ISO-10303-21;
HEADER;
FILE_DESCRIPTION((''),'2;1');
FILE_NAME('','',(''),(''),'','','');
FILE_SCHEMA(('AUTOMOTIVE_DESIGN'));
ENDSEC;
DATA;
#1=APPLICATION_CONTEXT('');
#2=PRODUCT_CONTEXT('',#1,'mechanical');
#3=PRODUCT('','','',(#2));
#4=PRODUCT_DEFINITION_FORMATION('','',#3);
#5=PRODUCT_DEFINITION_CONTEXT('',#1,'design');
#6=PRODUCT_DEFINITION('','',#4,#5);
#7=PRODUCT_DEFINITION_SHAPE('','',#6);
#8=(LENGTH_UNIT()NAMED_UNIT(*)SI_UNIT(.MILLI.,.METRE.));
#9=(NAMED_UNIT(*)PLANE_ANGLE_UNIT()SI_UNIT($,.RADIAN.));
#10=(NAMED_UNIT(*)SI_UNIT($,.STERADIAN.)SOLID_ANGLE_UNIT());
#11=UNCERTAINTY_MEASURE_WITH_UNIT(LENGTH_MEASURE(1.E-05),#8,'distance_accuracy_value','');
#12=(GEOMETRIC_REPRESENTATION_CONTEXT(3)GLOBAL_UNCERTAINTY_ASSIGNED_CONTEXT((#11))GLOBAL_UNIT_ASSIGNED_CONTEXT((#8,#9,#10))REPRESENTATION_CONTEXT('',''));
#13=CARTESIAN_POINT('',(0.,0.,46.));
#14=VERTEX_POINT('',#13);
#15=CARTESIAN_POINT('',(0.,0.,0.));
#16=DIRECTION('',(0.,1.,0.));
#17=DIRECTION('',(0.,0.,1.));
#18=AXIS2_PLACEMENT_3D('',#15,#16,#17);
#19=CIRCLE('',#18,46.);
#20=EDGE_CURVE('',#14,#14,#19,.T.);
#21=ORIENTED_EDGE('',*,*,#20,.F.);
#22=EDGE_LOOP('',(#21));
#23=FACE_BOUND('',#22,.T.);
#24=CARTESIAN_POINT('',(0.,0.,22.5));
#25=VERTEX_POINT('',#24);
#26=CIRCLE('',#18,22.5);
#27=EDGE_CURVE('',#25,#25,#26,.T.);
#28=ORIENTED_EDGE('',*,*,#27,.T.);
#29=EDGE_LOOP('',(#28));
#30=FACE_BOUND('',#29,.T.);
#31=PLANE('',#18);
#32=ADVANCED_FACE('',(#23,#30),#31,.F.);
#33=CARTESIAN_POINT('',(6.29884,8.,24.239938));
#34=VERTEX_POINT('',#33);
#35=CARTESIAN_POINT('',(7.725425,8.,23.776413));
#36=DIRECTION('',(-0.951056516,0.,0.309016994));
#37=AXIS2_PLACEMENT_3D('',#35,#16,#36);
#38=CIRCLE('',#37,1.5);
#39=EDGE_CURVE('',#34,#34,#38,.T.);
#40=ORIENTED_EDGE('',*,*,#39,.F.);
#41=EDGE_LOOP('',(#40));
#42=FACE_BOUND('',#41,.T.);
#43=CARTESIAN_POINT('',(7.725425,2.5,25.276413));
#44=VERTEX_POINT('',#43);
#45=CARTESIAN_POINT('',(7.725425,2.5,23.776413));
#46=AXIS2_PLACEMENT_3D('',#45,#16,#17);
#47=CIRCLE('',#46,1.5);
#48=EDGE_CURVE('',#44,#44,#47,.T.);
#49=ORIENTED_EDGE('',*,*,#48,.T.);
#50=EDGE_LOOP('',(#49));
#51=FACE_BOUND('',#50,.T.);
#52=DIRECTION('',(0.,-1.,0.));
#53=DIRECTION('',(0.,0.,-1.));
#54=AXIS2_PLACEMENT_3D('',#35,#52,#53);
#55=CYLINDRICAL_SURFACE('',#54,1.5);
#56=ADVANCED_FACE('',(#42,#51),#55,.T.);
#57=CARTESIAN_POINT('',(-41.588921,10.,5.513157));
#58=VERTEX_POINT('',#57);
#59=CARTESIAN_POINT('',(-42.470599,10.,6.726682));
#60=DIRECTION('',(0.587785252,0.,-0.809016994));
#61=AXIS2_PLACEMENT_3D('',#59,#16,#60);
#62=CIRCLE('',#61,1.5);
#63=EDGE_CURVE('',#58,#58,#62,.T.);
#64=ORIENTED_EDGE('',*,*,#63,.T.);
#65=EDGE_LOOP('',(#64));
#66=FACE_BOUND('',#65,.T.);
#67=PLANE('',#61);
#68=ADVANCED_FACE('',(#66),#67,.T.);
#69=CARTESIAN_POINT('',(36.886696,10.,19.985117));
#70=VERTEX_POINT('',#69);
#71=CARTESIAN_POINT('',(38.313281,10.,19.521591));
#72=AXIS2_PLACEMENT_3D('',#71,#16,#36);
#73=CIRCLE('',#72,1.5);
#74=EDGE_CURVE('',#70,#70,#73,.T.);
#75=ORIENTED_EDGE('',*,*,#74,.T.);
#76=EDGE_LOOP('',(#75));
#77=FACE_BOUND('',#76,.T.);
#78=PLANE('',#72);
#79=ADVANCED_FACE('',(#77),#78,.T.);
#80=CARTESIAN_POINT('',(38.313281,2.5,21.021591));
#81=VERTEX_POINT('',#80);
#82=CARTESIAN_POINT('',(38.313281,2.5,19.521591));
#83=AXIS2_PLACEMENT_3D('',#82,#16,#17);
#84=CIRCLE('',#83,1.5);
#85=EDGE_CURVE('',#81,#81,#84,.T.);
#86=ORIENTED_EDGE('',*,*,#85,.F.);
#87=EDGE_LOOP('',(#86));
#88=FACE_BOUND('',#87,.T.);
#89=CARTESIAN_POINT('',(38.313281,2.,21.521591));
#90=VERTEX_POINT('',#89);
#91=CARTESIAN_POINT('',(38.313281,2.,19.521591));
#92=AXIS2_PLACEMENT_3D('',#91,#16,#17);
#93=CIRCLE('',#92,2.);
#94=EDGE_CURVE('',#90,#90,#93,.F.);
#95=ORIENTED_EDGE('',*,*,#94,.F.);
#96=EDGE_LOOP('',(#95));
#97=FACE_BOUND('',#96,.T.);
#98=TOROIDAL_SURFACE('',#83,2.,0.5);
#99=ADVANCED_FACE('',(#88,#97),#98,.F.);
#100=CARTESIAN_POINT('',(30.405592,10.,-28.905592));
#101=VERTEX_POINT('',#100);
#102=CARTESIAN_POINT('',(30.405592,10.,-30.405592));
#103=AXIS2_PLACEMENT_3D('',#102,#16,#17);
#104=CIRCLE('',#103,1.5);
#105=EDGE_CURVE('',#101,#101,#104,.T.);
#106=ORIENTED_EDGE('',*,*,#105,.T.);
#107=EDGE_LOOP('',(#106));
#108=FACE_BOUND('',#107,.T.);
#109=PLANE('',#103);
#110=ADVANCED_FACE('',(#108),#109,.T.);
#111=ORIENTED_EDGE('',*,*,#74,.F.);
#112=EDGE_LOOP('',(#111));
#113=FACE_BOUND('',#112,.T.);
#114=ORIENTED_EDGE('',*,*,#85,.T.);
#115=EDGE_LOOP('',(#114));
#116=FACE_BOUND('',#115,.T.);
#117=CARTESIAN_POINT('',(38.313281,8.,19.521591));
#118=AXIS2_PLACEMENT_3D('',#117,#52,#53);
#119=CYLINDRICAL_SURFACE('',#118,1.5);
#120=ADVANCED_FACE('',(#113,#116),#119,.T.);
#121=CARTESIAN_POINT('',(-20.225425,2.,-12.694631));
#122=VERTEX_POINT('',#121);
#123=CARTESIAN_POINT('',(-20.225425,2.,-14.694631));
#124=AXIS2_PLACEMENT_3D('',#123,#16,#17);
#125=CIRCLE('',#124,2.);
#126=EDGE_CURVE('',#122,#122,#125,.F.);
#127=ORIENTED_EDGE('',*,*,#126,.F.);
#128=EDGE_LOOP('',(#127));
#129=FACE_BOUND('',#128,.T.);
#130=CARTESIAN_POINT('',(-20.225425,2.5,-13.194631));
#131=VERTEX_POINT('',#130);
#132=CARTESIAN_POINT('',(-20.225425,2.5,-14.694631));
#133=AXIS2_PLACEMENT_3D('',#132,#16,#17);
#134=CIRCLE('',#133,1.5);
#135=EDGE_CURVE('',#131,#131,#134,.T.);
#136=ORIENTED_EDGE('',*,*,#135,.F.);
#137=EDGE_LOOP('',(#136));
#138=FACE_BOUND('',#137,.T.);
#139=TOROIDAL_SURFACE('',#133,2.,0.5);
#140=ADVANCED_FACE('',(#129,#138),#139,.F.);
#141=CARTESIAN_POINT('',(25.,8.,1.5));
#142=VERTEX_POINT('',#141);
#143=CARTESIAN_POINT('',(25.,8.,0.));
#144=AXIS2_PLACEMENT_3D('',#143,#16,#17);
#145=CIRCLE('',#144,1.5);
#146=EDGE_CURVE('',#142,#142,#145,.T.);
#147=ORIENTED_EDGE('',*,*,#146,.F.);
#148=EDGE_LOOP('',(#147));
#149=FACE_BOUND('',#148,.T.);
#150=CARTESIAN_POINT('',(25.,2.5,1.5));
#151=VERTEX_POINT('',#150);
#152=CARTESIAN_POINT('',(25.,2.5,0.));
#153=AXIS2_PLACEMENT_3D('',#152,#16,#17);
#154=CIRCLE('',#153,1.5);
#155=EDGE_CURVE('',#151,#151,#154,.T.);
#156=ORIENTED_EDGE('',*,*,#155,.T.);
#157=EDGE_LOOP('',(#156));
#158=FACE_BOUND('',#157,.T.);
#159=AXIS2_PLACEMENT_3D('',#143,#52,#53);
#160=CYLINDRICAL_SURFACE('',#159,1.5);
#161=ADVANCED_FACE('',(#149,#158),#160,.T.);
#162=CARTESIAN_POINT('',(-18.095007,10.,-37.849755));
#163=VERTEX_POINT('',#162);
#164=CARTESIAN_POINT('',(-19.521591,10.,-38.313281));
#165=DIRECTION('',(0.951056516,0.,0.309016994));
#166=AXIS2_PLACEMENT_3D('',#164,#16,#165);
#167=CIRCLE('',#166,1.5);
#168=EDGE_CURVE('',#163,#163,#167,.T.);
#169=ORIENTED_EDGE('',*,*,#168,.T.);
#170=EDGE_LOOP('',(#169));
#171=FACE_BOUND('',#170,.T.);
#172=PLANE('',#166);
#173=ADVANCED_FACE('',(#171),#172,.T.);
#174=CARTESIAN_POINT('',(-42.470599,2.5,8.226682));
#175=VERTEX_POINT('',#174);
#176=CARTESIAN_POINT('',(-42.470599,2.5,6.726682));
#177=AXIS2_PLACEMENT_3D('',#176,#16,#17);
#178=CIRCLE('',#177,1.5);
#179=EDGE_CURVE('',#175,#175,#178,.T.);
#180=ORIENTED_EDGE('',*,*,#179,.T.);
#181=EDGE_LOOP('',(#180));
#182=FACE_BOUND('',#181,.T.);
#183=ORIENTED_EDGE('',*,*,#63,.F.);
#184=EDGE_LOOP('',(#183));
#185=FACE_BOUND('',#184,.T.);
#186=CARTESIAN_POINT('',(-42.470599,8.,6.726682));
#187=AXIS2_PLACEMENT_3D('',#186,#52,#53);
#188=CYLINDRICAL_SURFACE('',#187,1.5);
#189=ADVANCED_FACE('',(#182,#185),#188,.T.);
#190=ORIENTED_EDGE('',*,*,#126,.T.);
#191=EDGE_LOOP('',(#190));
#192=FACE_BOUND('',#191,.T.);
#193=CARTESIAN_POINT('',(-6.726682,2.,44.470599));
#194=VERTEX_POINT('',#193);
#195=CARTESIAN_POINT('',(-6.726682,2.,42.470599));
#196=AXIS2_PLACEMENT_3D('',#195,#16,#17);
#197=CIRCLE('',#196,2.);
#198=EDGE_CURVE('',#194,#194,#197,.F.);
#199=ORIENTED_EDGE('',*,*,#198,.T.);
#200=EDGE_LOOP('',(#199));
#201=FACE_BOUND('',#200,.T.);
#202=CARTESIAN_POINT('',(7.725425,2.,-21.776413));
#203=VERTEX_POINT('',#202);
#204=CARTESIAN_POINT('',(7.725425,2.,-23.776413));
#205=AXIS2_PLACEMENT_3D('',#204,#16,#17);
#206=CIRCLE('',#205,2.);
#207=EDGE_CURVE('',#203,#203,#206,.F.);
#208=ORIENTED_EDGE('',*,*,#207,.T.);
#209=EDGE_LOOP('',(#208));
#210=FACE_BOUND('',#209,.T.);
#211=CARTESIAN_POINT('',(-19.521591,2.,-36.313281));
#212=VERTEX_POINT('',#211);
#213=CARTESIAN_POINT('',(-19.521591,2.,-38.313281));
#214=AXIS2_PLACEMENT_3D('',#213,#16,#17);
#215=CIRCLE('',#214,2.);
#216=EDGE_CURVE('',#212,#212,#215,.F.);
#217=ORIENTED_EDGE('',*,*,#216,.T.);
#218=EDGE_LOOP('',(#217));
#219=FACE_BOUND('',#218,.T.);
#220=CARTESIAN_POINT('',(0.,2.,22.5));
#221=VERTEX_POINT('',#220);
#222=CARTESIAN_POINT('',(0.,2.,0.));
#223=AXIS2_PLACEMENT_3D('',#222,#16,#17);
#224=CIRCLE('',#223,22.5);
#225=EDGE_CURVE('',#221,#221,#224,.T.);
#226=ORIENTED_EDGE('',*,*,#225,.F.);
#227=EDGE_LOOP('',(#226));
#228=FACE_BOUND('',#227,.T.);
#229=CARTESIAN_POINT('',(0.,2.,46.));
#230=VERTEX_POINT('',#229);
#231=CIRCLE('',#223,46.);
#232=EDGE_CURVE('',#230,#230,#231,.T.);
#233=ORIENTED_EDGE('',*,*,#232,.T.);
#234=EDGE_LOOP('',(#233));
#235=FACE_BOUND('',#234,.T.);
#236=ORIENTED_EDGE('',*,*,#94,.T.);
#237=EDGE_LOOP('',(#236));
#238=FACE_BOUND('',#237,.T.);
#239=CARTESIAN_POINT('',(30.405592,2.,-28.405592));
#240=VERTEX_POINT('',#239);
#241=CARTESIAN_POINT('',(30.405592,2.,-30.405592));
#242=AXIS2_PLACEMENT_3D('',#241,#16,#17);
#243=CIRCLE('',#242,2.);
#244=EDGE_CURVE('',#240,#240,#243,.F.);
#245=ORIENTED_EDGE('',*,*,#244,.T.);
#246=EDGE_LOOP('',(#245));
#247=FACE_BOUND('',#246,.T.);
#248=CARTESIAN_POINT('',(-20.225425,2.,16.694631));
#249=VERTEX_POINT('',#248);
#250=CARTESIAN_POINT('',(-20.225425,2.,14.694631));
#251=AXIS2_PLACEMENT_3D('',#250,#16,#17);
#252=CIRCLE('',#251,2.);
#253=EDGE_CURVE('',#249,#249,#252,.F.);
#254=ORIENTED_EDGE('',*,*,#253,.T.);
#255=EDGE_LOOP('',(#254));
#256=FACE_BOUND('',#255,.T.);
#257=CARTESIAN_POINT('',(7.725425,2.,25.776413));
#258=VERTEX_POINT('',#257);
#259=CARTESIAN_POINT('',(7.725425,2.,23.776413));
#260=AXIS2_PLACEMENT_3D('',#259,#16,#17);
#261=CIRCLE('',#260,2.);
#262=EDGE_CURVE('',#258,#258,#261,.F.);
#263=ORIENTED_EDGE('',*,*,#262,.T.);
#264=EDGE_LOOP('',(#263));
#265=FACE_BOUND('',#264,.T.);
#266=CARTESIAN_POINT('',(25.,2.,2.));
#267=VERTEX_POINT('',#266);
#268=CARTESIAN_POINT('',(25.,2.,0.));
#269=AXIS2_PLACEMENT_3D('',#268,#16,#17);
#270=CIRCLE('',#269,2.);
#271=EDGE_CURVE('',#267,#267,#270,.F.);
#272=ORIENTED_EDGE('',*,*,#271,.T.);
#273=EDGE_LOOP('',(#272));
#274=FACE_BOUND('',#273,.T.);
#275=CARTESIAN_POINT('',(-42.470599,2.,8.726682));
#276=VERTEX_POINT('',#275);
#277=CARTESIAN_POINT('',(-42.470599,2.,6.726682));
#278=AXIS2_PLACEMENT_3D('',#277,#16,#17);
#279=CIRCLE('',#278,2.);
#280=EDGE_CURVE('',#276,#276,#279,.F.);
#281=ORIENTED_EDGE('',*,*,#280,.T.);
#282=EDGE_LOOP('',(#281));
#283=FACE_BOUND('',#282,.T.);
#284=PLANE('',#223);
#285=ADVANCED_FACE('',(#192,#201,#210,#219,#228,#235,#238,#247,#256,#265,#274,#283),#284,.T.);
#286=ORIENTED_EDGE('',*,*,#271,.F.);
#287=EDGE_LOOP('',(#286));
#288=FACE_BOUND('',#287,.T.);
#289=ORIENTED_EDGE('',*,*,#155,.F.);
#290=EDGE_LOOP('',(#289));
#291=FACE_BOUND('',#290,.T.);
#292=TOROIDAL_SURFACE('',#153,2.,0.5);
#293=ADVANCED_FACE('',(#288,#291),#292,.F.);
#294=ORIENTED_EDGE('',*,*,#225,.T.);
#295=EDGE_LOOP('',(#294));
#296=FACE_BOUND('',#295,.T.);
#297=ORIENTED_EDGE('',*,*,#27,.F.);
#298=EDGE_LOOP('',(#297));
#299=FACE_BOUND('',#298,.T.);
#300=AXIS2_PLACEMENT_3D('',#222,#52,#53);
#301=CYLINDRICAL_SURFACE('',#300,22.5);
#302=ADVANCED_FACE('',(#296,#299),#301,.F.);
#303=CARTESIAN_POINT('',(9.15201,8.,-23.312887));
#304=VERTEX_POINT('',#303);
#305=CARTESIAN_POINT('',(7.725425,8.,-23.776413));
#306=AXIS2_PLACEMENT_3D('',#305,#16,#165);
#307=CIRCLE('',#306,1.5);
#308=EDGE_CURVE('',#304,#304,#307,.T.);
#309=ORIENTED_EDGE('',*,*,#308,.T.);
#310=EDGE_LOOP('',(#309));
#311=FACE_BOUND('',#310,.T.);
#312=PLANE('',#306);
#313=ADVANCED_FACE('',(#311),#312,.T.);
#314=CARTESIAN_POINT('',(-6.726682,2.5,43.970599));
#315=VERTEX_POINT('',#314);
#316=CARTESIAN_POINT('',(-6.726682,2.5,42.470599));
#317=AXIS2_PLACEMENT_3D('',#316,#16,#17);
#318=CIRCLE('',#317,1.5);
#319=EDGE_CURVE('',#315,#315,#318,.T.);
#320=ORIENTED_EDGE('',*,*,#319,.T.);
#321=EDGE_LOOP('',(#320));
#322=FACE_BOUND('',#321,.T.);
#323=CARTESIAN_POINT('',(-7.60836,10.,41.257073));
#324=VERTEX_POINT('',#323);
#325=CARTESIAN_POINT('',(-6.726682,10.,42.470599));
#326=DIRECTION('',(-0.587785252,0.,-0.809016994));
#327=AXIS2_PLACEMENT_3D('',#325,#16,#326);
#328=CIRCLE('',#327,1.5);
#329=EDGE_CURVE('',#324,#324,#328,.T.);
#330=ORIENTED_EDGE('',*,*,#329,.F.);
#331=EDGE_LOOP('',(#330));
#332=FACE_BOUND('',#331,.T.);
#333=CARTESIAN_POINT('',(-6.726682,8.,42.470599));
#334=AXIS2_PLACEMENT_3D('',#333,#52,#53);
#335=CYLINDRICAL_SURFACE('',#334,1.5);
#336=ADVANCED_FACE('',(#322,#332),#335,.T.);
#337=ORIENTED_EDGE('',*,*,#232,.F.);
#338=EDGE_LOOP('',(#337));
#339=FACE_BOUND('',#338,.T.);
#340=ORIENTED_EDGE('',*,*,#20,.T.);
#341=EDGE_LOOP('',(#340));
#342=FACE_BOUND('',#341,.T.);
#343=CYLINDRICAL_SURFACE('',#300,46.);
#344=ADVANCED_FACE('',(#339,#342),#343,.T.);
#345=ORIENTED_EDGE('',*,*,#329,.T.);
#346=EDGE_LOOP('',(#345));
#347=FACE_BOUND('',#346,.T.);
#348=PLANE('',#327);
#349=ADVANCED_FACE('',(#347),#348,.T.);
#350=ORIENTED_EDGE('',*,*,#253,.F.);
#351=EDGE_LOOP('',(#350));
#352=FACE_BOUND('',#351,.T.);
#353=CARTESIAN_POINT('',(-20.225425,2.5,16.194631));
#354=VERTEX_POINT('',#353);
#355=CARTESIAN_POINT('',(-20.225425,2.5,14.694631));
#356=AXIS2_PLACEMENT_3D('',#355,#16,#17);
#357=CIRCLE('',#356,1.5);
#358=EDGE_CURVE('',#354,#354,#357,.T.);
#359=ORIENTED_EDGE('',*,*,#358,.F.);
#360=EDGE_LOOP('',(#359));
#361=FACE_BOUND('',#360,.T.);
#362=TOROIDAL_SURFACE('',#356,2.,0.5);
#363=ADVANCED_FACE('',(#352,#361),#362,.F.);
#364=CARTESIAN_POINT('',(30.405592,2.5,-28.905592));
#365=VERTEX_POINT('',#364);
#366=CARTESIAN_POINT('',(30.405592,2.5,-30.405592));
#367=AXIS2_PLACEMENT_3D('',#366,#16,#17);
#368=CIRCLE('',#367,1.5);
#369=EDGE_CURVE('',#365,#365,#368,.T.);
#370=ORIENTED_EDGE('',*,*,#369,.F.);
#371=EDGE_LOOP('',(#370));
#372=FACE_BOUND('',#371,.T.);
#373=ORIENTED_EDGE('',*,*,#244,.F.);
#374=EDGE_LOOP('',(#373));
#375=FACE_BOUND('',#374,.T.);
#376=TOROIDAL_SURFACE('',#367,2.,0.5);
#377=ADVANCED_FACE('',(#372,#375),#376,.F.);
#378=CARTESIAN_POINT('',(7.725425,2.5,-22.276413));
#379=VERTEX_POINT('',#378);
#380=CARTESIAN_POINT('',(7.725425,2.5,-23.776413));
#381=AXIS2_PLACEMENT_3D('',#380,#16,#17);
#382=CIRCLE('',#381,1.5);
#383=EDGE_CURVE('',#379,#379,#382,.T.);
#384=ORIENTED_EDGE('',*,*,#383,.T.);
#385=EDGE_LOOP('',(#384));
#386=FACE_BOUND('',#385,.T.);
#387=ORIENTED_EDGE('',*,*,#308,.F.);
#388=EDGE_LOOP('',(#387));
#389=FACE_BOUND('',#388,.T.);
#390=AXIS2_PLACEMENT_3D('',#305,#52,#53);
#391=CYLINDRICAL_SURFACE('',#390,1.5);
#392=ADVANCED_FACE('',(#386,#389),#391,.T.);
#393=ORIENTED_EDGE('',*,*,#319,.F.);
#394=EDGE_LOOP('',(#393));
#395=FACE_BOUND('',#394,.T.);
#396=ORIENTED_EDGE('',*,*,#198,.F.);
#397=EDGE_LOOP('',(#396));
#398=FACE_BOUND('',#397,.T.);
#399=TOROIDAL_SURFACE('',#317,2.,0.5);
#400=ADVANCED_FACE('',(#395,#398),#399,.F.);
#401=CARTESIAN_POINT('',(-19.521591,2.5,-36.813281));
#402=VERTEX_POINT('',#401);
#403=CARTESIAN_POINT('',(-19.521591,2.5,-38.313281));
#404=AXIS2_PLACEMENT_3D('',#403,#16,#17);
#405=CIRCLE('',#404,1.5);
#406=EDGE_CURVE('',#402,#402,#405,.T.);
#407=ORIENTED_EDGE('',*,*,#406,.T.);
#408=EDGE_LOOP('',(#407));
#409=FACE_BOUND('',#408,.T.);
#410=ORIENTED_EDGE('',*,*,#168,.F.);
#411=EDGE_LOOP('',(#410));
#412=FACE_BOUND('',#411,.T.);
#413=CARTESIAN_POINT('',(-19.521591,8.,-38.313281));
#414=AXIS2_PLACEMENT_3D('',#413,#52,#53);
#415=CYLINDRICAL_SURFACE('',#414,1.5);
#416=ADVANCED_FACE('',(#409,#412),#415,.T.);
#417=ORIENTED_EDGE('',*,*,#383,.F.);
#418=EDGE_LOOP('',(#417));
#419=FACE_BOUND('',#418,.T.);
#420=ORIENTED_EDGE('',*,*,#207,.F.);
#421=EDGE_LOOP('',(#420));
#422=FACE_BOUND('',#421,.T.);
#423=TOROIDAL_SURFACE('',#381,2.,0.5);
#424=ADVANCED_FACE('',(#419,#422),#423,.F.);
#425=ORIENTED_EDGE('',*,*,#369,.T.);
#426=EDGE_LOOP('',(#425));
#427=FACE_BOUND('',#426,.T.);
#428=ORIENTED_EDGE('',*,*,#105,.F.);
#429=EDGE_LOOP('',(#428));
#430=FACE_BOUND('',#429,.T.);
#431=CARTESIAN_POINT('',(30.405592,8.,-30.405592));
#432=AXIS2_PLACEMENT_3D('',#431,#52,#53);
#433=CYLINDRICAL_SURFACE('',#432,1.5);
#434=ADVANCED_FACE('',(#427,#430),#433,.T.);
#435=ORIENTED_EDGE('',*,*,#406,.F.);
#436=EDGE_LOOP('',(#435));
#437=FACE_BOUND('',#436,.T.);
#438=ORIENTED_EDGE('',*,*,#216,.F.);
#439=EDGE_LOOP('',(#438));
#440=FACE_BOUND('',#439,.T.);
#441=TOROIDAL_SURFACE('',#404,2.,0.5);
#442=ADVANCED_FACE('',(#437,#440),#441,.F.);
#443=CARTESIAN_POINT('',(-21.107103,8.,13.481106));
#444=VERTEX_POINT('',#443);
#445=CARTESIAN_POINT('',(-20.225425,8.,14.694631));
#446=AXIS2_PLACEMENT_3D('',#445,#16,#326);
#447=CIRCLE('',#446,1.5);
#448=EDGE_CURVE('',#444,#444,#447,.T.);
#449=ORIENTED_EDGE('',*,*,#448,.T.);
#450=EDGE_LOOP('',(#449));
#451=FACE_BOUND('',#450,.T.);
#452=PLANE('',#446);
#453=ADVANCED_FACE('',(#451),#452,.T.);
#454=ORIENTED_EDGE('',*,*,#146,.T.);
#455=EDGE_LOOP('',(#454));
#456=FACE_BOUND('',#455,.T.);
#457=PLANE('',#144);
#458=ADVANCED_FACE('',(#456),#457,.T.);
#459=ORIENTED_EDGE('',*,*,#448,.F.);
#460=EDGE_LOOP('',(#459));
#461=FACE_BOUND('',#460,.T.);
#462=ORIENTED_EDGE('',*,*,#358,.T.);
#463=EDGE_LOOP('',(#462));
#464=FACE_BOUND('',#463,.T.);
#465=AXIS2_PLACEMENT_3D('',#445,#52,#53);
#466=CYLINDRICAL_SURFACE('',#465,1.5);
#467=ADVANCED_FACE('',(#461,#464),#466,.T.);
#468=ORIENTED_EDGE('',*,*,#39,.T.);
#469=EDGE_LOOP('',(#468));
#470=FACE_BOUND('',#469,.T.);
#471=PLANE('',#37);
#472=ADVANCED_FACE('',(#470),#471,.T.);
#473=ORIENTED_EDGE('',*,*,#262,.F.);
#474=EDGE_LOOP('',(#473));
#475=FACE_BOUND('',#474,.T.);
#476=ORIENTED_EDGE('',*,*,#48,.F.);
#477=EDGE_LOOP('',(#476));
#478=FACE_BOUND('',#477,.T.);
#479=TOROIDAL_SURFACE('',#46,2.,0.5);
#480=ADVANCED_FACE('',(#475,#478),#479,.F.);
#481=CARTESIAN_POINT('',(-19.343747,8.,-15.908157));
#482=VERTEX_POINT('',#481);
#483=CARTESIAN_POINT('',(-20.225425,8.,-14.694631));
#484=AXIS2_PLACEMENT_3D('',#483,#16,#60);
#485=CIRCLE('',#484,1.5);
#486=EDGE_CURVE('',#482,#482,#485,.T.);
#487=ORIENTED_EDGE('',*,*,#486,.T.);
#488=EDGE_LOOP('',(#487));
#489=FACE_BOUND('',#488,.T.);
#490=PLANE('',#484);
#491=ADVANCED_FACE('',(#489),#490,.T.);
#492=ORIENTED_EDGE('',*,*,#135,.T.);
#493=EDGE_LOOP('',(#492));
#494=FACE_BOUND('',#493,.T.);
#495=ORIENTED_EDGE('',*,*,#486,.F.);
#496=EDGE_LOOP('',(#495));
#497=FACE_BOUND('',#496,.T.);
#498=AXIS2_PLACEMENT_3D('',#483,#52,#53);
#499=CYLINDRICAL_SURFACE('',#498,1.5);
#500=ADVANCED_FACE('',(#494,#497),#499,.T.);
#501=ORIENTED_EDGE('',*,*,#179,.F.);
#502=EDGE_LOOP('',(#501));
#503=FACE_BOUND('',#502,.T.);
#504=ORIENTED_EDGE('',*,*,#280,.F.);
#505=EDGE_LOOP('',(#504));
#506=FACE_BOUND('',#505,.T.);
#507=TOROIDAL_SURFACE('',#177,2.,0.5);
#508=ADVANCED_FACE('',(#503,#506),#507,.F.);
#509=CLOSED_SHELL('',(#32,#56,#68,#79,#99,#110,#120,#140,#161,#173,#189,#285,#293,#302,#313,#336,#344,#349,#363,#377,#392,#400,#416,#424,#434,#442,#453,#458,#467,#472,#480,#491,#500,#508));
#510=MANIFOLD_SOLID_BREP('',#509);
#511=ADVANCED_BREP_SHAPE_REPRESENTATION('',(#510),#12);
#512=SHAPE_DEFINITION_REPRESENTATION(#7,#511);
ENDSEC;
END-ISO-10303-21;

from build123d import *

# Parameters (mm, degrees)
SKETCH1_R                = 46
SKETCH1_R_2              = 22.5
BOSS_EXTRUDE1_DEPTH      = 2
SKETCH2_R                = 1.5
BOSS_EXTRUDE2_DEPTH      = 6
FILLET1_R                = 0.5
SKETCH3_R                = 1.5
BOSS_EXTRUDE3_DEPTH      = 2
CIRPATTERN1_COUNT        = 5
FILLET1_OF_CIRPATTERN1_R = 0.5


with BuildPart() as part:
    # Sketch1 → Boss-Extrude1 (new body)
    with BuildSketch(Plane(origin=(0, 0, 0), x_dir=(1, 0, 0), z_dir=(0, 1, 0))):
        with Locations(Location((0, 0, 0), (0, 0, 270))):
            Circle(SKETCH1_R)
        with Locations(Location((0, 0, 0), (0, 0, 270))):
            Circle(SKETCH1_R_2, mode=Mode.SUBTRACT)
    extrude(amount=BOSS_EXTRUDE1_DEPTH)

    # Sketch2 → Boss-Extrude2 (add)
    with BuildSketch(Plane(origin=(0, 2, 0), x_dir=(1, 0, 0), z_dir=(0, 1, 0))):
        with Locations(Location((25, 0, 0), (0, 0, 270))):
            Circle(SKETCH2_R)
        with Locations(Location((30.405591591, 30.405591591, 0), (0, 0, 270))):
            Circle(SKETCH2_R)
    boss_extrude2 = extrude(amount=BOSS_EXTRUDE2_DEPTH)

    # Fillet1
    fillet1_edges = [part.edges().sort_by_distance(p)[0] for p in [
        (25, 2, -1.5),
        (30.405591591, 2, -31.905591591),
    ]]
    fillet(fillet1_edges, radius=FILLET1_R)

    # Sketch3 → Boss-Extrude3 (add)
    with BuildSketch(Plane(origin=(0, 8, 0), x_dir=(1, 0, 0), z_dir=(0, 1, 0))):
        with Locations(Location((30.405591591, 30.405591591, 0), (0, 0, 270))):
            Circle(SKETCH3_R)
    boss_extrude3 = extrude(amount=BOSS_EXTRUDE3_DEPTH)

    # CirPattern1: Boss-Extrude2, Boss-Extrude3 ×5 about axis
    cirpattern1_axis = Axis((0, 0, 0), (0, 1, 0))
    add([boss_extrude2.rotate(cirpattern1_axis, i * 360 / CIRPATTERN1_COUNT) for i in range(1, CIRPATTERN1_COUNT)])
    add([boss_extrude3.rotate(cirpattern1_axis, i * 360 / CIRPATTERN1_COUNT) for i in range(1, CIRPATTERN1_COUNT)])

    # Fillet1 of CirPattern1
    fillet1_of_cirpattern1_edges = [part.edges().sort_by_distance(p)[0] for p in [
        (6.298840085, 2, -24.239938399),
        (-20.948176263, 2, -38.776806032),
        (-21.107102738, 2, -13.481105816),
        (-43.352276524, 2, 7.940207488),
        (-19.343746981, 2, 15.908156799),
        (-5.845004118, 2, 43.684124137),
        (9.152009634, 2, 23.312887416),
        (39.739865315, 2, 19.058065997),
    ]]
    fillet(fillet1_of_cirpattern1_edges, radius=FILLET1_OF_CIRPATTERN1_R)


solid = part.part
